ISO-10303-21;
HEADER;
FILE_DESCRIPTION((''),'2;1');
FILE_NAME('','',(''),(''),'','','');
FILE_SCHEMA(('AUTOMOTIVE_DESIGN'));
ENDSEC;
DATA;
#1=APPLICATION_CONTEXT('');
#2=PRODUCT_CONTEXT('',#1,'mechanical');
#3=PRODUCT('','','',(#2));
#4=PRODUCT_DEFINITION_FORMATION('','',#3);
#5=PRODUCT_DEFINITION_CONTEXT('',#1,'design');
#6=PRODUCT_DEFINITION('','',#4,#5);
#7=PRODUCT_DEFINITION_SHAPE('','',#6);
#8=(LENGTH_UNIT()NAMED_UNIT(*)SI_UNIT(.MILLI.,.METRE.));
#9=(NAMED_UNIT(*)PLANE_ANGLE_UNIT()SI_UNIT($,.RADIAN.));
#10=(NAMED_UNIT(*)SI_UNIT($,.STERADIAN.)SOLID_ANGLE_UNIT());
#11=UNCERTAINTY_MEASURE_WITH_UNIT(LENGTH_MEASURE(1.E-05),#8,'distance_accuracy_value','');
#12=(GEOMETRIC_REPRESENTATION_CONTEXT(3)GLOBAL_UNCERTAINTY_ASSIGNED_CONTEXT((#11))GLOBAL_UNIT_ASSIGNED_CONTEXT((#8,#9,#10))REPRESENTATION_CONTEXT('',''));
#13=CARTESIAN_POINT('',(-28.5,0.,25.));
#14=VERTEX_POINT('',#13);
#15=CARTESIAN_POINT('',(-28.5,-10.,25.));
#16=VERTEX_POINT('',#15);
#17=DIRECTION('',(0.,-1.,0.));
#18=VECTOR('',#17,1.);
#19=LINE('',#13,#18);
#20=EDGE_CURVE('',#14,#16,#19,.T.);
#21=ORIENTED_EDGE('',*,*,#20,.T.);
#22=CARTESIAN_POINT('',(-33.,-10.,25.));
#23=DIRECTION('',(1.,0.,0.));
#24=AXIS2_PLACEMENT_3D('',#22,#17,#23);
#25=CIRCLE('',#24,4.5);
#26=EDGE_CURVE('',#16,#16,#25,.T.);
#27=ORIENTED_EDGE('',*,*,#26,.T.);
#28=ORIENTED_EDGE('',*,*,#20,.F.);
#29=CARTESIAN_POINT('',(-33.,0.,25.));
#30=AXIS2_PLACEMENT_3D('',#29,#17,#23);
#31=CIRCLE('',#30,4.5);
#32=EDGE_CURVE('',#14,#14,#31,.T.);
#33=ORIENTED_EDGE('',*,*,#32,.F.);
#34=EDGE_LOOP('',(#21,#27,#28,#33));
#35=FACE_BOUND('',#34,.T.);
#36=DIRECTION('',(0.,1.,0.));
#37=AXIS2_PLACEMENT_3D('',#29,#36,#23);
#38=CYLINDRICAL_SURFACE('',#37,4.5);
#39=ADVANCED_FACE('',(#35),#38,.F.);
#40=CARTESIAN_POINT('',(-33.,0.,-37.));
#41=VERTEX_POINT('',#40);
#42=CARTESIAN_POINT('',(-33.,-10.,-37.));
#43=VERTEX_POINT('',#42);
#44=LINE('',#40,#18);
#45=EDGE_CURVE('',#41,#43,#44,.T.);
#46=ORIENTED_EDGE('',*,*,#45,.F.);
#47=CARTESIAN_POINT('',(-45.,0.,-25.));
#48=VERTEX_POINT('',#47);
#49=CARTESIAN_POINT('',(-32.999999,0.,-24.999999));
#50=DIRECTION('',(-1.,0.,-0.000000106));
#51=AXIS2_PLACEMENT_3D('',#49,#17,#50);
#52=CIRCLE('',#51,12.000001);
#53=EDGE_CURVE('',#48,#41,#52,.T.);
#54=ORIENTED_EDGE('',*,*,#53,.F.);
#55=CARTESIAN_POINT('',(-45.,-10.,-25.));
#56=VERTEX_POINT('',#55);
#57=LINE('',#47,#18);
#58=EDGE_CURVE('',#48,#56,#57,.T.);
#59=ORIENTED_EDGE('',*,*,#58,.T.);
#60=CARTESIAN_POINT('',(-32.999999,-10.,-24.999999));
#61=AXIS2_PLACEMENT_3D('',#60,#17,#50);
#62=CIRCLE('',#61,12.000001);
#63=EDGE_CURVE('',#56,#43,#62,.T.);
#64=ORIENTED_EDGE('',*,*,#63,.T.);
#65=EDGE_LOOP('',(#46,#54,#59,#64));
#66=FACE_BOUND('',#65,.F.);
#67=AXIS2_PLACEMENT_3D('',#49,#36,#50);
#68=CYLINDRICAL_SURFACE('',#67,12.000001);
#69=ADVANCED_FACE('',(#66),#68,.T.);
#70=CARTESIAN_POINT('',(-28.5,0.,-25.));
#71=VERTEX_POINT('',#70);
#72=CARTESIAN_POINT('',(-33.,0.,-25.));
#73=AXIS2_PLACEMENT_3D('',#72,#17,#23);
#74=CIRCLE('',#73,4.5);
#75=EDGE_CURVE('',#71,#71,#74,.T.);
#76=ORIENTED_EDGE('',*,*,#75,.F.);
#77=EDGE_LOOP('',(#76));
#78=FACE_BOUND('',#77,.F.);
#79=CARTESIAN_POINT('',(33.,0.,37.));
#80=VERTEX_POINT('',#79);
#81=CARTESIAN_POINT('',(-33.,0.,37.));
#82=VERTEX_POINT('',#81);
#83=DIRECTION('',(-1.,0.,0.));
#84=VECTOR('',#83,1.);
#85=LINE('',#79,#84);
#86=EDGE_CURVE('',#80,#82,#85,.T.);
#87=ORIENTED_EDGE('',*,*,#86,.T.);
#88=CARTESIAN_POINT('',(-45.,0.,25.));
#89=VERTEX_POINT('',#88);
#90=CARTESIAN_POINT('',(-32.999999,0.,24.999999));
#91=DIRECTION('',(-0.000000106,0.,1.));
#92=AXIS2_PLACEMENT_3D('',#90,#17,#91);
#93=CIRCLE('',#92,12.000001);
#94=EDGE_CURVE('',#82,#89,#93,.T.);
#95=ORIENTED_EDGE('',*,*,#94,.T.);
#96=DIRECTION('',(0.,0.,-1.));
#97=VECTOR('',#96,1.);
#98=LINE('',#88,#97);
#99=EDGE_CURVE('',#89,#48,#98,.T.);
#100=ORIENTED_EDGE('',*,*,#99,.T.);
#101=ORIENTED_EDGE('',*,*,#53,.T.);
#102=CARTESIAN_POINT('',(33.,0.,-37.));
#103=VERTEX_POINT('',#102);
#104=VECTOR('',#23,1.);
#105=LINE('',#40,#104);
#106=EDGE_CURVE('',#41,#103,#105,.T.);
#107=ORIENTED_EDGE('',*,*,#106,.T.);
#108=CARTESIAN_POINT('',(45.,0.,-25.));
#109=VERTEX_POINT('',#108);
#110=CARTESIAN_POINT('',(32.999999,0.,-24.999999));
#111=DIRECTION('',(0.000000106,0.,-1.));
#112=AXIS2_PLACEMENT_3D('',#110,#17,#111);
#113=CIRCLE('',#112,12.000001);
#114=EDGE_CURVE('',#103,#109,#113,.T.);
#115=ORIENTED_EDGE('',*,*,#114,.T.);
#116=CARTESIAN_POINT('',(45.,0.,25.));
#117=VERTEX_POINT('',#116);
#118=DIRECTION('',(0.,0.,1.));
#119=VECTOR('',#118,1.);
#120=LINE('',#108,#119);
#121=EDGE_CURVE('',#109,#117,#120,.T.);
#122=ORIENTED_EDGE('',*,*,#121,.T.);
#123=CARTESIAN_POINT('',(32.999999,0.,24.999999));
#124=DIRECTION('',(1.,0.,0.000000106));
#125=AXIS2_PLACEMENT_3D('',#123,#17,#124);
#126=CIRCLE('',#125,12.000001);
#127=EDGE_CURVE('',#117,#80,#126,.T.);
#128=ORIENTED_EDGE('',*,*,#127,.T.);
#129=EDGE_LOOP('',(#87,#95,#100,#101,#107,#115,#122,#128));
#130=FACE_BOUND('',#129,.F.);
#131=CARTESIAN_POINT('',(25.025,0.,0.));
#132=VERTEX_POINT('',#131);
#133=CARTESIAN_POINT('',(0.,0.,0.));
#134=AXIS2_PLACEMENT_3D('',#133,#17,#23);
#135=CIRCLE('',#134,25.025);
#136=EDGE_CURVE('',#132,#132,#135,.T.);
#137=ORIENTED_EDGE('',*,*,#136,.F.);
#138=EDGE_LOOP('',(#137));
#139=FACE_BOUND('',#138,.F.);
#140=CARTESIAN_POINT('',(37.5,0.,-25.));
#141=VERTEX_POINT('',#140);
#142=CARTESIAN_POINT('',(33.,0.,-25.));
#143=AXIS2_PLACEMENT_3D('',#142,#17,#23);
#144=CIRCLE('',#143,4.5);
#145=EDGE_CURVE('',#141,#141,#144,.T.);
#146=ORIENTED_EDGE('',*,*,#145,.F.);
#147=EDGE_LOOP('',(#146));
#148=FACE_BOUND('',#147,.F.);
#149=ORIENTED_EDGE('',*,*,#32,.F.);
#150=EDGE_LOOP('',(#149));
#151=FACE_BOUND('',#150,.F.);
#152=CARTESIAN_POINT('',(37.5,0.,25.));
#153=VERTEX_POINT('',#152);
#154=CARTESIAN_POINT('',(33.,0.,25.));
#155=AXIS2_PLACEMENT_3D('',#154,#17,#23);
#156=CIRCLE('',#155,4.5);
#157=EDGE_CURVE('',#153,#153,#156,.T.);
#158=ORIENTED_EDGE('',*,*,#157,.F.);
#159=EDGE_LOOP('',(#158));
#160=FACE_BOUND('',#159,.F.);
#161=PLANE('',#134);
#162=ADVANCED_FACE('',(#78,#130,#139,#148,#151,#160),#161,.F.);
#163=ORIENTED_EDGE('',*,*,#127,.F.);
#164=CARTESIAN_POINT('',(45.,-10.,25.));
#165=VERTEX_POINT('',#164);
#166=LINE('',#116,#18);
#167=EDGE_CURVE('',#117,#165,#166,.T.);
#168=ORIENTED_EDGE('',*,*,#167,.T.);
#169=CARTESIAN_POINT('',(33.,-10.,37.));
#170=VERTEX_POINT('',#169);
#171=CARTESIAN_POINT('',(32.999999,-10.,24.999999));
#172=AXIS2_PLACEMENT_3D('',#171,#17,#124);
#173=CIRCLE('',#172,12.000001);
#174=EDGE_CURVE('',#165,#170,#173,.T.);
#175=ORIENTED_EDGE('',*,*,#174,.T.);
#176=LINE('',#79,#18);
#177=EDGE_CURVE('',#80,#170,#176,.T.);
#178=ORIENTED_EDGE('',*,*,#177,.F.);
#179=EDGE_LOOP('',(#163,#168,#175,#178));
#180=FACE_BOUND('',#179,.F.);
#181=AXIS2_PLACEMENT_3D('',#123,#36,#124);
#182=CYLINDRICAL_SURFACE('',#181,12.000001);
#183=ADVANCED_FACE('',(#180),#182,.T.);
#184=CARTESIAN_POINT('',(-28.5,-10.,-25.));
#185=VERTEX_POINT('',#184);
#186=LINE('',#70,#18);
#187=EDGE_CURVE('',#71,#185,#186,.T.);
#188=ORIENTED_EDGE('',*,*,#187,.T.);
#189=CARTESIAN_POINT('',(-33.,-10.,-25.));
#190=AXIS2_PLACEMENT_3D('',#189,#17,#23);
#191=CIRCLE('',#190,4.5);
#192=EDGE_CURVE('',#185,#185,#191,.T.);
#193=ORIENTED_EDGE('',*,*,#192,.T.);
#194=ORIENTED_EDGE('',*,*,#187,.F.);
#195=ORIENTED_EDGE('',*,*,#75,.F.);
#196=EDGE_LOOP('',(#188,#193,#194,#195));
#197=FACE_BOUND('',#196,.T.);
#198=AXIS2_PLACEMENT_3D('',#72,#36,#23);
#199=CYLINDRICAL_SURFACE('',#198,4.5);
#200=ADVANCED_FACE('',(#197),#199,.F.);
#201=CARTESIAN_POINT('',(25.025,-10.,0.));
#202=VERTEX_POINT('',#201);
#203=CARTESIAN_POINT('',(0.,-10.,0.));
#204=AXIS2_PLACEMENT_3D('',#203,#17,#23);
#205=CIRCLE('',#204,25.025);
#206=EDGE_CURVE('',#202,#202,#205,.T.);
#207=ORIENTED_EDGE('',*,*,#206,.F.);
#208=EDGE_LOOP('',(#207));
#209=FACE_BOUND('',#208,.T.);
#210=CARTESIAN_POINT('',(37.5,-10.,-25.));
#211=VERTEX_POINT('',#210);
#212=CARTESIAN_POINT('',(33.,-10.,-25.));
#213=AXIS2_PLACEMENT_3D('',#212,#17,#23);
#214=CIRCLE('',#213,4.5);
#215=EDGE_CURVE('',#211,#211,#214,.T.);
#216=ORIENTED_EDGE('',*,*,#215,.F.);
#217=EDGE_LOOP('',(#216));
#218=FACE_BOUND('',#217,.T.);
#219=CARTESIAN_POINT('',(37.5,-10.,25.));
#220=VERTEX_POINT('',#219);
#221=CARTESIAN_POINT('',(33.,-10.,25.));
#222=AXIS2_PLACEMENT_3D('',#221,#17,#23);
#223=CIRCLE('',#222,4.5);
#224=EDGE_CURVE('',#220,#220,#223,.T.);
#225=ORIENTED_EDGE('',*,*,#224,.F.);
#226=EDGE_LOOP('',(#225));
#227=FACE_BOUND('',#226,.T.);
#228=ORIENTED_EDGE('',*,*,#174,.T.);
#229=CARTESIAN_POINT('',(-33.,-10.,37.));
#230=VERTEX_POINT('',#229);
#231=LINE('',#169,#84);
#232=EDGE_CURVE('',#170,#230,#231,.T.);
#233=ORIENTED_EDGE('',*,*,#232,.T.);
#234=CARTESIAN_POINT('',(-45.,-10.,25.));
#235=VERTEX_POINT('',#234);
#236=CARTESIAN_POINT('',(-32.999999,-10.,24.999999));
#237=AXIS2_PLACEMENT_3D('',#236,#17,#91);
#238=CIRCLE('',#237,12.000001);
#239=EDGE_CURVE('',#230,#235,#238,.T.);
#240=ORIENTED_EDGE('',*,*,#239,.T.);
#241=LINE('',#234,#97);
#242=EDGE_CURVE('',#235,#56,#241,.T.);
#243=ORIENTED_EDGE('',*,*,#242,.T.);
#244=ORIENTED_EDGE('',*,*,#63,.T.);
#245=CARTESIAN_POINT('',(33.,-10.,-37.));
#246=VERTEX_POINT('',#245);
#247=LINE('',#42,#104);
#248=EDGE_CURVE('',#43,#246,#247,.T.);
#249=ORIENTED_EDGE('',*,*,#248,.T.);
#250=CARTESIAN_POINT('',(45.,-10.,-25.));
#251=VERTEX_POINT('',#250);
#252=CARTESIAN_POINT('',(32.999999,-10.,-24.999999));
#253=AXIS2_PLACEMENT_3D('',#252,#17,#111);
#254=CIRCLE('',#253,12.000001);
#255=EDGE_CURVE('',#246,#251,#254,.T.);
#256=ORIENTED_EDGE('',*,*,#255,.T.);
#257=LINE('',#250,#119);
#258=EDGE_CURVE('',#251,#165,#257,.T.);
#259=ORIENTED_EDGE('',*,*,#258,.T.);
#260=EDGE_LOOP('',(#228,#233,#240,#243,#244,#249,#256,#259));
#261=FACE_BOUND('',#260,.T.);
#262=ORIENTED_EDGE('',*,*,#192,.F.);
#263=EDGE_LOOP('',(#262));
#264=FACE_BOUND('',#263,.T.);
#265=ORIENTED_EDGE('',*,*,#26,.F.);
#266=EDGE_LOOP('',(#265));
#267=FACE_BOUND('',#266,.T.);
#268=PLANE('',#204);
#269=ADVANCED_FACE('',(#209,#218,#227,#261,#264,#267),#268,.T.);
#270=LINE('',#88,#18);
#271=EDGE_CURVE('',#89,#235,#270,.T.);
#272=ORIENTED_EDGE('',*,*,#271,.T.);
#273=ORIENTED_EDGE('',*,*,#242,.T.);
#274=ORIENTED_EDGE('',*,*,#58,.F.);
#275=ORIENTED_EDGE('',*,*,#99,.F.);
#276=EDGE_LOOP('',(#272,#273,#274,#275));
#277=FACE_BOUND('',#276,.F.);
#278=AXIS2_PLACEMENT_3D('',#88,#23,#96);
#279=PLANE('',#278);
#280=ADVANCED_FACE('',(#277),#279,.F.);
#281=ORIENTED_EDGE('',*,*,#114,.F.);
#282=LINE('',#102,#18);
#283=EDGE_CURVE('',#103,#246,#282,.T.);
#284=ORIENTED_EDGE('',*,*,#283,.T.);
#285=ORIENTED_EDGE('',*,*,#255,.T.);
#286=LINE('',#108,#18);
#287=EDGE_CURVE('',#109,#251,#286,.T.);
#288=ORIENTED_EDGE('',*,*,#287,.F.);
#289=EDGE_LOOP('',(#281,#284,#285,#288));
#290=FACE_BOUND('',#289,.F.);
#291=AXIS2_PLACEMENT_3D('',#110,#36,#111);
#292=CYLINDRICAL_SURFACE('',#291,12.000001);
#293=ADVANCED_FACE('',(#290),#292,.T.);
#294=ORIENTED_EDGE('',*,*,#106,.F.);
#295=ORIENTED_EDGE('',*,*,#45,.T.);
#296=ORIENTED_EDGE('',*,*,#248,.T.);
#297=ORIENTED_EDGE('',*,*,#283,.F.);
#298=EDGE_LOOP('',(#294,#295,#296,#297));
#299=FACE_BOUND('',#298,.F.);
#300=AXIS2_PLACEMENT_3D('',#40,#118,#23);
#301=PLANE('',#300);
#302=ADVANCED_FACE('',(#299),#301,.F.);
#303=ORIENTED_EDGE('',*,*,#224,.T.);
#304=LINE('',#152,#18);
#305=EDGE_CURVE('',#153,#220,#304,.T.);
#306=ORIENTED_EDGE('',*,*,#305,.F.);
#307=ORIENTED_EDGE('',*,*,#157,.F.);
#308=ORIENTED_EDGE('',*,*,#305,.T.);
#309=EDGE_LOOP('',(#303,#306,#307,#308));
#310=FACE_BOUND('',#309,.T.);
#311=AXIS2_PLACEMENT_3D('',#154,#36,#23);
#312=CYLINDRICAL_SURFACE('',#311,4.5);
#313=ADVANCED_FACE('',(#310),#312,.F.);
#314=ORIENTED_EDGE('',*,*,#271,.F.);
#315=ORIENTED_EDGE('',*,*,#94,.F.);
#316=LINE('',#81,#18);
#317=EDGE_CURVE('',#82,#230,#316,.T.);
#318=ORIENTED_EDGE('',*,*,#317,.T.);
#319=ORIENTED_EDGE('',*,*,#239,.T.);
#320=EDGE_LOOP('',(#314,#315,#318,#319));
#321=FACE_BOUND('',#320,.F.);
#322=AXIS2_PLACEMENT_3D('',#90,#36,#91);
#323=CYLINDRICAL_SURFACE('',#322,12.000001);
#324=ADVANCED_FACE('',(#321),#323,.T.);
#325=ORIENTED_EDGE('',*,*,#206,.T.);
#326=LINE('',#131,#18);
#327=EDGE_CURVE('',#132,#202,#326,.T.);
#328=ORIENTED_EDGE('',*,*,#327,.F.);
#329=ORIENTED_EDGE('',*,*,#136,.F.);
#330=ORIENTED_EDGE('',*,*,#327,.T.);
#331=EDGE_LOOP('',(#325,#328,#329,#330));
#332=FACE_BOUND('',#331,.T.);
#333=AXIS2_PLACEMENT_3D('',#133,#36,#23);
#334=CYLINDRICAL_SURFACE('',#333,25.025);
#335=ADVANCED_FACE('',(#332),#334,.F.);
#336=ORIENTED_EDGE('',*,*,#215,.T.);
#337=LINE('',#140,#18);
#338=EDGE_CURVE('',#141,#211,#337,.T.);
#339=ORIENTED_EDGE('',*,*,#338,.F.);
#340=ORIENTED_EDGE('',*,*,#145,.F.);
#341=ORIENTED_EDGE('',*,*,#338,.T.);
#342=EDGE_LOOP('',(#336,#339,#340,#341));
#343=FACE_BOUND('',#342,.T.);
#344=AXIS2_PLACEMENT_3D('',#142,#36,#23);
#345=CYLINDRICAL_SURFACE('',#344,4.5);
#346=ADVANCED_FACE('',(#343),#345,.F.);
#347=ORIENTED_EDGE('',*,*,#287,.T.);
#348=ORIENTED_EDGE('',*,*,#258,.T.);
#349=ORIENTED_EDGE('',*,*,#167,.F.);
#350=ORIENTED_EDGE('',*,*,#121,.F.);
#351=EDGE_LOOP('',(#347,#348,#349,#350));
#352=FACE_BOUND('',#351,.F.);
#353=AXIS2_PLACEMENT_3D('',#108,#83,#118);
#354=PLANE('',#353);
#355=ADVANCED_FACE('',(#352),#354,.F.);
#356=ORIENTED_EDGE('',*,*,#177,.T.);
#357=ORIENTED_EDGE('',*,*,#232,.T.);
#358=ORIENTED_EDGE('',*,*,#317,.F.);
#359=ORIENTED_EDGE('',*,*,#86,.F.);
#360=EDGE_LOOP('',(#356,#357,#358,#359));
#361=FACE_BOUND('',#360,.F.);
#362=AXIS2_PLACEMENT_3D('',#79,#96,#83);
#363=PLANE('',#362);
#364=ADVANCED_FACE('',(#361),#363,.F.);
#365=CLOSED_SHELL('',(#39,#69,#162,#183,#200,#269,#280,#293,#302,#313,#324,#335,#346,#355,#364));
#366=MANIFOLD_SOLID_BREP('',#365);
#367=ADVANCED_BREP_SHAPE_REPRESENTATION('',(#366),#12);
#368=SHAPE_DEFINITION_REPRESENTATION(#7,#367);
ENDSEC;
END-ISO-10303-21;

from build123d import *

# Parameters (mm, degrees)
F0_R     = 4.5
F0_R_2   = 25.025
F1_DEPTH = 10


with BuildPart() as f1:
    # F0 (on Front) → F1 (new body)
    with BuildSketch(Plane.XZ):
        with BuildLine():
            ThreePointArc((-33, 37), (-41.485281, 33.485281), (-45, 25))
            Line((-45, 25), (-45, -25))
            ThreePointArc((-45, -25), (-41.485281, -33.485281), (-33, -37))
            Line((-33, -37), (33, -37))
            ThreePointArc((33, -37), (41.485281, -33.485281), (45, -25))
            Line((45, -25), (45, 25))
            ThreePointArc((45, 25), (41.485281, 33.485281), (33, 37))
            Line((33, 37), (-33, 37))
        make_face()
        with Locations((-33, -25)):
            Circle(F0_R, mode=Mode.SUBTRACT)
        with Locations((33, -25)):
            Circle(F0_R, mode=Mode.SUBTRACT)
        with Locations((-33, 25)):
            Circle(F0_R, mode=Mode.SUBTRACT)
        Circle(F0_R_2, mode=Mode.SUBTRACT)
        with Locations((33, 25)):
            Circle(F0_R, mode=Mode.SUBTRACT)
    extrude(amount=F1_DEPTH)


solid = f1.part
